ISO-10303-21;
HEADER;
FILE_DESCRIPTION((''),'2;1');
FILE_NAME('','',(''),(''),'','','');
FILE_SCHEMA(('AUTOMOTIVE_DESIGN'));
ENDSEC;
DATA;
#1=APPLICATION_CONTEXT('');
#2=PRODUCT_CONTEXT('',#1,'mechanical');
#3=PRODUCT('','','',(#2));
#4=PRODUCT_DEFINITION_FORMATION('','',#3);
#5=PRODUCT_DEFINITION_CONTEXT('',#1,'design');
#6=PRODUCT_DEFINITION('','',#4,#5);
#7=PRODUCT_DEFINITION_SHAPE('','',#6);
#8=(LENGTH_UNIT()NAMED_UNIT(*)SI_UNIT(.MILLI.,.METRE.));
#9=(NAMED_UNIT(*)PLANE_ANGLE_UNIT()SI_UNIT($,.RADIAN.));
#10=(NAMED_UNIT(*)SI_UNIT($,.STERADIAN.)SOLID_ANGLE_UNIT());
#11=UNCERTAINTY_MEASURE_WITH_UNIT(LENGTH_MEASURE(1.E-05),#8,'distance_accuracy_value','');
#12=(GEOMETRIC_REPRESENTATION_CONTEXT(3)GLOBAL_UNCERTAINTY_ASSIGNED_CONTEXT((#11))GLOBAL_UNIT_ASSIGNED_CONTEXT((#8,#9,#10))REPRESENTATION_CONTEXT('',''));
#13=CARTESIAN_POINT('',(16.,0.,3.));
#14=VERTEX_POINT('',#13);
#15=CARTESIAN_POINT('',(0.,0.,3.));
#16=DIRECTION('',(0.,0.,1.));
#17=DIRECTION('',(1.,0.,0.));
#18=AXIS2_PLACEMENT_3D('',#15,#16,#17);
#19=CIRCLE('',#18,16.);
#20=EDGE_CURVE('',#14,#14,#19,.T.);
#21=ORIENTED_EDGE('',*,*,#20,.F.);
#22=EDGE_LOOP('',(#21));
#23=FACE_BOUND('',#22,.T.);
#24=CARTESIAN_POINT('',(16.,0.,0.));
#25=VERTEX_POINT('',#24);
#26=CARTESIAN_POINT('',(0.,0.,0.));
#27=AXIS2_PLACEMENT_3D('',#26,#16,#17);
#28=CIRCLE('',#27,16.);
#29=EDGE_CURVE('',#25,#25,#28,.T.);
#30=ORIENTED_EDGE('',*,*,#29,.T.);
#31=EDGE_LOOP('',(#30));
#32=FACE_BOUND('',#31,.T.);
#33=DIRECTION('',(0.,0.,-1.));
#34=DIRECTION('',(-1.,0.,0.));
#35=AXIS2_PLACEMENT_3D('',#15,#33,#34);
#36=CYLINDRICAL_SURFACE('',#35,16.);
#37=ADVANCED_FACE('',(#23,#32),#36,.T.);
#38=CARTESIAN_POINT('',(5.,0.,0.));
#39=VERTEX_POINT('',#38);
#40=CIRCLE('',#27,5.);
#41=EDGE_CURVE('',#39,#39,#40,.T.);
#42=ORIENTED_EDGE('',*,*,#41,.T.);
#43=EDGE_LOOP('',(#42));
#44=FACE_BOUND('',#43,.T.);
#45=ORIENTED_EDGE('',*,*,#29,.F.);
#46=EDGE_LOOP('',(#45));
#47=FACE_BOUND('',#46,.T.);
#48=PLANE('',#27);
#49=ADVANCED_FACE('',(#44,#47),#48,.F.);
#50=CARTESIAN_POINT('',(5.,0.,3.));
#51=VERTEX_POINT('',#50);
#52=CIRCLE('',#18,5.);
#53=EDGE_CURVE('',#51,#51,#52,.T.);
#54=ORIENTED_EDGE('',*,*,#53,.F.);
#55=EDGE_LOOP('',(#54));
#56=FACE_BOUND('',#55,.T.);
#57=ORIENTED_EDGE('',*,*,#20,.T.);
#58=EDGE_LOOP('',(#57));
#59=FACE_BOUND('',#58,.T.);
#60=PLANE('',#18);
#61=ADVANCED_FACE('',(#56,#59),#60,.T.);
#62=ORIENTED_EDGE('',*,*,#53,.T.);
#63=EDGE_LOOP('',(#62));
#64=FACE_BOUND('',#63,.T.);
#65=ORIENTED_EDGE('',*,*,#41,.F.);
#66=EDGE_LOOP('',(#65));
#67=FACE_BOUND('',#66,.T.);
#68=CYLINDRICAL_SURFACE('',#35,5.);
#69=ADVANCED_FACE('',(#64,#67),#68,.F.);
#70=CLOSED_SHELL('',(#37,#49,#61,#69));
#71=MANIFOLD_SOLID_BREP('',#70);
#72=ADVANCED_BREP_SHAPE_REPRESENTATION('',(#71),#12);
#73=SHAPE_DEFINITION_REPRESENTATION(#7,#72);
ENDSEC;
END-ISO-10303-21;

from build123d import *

# Parameters (mm, degrees)
SKETCH1_R      = 16
SKETCH1_R_2    = 5
EXTRUDE1_DEPTH = 3


with BuildPart() as part:
    # Sketch1 → Extrude1 (new body)
    with BuildSketch(Plane.XY):
        Circle(SKETCH1_R)
        Circle(SKETCH1_R_2, mode=Mode.SUBTRACT)
    extrude(amount=EXTRUDE1_DEPTH)


solid = part.part
